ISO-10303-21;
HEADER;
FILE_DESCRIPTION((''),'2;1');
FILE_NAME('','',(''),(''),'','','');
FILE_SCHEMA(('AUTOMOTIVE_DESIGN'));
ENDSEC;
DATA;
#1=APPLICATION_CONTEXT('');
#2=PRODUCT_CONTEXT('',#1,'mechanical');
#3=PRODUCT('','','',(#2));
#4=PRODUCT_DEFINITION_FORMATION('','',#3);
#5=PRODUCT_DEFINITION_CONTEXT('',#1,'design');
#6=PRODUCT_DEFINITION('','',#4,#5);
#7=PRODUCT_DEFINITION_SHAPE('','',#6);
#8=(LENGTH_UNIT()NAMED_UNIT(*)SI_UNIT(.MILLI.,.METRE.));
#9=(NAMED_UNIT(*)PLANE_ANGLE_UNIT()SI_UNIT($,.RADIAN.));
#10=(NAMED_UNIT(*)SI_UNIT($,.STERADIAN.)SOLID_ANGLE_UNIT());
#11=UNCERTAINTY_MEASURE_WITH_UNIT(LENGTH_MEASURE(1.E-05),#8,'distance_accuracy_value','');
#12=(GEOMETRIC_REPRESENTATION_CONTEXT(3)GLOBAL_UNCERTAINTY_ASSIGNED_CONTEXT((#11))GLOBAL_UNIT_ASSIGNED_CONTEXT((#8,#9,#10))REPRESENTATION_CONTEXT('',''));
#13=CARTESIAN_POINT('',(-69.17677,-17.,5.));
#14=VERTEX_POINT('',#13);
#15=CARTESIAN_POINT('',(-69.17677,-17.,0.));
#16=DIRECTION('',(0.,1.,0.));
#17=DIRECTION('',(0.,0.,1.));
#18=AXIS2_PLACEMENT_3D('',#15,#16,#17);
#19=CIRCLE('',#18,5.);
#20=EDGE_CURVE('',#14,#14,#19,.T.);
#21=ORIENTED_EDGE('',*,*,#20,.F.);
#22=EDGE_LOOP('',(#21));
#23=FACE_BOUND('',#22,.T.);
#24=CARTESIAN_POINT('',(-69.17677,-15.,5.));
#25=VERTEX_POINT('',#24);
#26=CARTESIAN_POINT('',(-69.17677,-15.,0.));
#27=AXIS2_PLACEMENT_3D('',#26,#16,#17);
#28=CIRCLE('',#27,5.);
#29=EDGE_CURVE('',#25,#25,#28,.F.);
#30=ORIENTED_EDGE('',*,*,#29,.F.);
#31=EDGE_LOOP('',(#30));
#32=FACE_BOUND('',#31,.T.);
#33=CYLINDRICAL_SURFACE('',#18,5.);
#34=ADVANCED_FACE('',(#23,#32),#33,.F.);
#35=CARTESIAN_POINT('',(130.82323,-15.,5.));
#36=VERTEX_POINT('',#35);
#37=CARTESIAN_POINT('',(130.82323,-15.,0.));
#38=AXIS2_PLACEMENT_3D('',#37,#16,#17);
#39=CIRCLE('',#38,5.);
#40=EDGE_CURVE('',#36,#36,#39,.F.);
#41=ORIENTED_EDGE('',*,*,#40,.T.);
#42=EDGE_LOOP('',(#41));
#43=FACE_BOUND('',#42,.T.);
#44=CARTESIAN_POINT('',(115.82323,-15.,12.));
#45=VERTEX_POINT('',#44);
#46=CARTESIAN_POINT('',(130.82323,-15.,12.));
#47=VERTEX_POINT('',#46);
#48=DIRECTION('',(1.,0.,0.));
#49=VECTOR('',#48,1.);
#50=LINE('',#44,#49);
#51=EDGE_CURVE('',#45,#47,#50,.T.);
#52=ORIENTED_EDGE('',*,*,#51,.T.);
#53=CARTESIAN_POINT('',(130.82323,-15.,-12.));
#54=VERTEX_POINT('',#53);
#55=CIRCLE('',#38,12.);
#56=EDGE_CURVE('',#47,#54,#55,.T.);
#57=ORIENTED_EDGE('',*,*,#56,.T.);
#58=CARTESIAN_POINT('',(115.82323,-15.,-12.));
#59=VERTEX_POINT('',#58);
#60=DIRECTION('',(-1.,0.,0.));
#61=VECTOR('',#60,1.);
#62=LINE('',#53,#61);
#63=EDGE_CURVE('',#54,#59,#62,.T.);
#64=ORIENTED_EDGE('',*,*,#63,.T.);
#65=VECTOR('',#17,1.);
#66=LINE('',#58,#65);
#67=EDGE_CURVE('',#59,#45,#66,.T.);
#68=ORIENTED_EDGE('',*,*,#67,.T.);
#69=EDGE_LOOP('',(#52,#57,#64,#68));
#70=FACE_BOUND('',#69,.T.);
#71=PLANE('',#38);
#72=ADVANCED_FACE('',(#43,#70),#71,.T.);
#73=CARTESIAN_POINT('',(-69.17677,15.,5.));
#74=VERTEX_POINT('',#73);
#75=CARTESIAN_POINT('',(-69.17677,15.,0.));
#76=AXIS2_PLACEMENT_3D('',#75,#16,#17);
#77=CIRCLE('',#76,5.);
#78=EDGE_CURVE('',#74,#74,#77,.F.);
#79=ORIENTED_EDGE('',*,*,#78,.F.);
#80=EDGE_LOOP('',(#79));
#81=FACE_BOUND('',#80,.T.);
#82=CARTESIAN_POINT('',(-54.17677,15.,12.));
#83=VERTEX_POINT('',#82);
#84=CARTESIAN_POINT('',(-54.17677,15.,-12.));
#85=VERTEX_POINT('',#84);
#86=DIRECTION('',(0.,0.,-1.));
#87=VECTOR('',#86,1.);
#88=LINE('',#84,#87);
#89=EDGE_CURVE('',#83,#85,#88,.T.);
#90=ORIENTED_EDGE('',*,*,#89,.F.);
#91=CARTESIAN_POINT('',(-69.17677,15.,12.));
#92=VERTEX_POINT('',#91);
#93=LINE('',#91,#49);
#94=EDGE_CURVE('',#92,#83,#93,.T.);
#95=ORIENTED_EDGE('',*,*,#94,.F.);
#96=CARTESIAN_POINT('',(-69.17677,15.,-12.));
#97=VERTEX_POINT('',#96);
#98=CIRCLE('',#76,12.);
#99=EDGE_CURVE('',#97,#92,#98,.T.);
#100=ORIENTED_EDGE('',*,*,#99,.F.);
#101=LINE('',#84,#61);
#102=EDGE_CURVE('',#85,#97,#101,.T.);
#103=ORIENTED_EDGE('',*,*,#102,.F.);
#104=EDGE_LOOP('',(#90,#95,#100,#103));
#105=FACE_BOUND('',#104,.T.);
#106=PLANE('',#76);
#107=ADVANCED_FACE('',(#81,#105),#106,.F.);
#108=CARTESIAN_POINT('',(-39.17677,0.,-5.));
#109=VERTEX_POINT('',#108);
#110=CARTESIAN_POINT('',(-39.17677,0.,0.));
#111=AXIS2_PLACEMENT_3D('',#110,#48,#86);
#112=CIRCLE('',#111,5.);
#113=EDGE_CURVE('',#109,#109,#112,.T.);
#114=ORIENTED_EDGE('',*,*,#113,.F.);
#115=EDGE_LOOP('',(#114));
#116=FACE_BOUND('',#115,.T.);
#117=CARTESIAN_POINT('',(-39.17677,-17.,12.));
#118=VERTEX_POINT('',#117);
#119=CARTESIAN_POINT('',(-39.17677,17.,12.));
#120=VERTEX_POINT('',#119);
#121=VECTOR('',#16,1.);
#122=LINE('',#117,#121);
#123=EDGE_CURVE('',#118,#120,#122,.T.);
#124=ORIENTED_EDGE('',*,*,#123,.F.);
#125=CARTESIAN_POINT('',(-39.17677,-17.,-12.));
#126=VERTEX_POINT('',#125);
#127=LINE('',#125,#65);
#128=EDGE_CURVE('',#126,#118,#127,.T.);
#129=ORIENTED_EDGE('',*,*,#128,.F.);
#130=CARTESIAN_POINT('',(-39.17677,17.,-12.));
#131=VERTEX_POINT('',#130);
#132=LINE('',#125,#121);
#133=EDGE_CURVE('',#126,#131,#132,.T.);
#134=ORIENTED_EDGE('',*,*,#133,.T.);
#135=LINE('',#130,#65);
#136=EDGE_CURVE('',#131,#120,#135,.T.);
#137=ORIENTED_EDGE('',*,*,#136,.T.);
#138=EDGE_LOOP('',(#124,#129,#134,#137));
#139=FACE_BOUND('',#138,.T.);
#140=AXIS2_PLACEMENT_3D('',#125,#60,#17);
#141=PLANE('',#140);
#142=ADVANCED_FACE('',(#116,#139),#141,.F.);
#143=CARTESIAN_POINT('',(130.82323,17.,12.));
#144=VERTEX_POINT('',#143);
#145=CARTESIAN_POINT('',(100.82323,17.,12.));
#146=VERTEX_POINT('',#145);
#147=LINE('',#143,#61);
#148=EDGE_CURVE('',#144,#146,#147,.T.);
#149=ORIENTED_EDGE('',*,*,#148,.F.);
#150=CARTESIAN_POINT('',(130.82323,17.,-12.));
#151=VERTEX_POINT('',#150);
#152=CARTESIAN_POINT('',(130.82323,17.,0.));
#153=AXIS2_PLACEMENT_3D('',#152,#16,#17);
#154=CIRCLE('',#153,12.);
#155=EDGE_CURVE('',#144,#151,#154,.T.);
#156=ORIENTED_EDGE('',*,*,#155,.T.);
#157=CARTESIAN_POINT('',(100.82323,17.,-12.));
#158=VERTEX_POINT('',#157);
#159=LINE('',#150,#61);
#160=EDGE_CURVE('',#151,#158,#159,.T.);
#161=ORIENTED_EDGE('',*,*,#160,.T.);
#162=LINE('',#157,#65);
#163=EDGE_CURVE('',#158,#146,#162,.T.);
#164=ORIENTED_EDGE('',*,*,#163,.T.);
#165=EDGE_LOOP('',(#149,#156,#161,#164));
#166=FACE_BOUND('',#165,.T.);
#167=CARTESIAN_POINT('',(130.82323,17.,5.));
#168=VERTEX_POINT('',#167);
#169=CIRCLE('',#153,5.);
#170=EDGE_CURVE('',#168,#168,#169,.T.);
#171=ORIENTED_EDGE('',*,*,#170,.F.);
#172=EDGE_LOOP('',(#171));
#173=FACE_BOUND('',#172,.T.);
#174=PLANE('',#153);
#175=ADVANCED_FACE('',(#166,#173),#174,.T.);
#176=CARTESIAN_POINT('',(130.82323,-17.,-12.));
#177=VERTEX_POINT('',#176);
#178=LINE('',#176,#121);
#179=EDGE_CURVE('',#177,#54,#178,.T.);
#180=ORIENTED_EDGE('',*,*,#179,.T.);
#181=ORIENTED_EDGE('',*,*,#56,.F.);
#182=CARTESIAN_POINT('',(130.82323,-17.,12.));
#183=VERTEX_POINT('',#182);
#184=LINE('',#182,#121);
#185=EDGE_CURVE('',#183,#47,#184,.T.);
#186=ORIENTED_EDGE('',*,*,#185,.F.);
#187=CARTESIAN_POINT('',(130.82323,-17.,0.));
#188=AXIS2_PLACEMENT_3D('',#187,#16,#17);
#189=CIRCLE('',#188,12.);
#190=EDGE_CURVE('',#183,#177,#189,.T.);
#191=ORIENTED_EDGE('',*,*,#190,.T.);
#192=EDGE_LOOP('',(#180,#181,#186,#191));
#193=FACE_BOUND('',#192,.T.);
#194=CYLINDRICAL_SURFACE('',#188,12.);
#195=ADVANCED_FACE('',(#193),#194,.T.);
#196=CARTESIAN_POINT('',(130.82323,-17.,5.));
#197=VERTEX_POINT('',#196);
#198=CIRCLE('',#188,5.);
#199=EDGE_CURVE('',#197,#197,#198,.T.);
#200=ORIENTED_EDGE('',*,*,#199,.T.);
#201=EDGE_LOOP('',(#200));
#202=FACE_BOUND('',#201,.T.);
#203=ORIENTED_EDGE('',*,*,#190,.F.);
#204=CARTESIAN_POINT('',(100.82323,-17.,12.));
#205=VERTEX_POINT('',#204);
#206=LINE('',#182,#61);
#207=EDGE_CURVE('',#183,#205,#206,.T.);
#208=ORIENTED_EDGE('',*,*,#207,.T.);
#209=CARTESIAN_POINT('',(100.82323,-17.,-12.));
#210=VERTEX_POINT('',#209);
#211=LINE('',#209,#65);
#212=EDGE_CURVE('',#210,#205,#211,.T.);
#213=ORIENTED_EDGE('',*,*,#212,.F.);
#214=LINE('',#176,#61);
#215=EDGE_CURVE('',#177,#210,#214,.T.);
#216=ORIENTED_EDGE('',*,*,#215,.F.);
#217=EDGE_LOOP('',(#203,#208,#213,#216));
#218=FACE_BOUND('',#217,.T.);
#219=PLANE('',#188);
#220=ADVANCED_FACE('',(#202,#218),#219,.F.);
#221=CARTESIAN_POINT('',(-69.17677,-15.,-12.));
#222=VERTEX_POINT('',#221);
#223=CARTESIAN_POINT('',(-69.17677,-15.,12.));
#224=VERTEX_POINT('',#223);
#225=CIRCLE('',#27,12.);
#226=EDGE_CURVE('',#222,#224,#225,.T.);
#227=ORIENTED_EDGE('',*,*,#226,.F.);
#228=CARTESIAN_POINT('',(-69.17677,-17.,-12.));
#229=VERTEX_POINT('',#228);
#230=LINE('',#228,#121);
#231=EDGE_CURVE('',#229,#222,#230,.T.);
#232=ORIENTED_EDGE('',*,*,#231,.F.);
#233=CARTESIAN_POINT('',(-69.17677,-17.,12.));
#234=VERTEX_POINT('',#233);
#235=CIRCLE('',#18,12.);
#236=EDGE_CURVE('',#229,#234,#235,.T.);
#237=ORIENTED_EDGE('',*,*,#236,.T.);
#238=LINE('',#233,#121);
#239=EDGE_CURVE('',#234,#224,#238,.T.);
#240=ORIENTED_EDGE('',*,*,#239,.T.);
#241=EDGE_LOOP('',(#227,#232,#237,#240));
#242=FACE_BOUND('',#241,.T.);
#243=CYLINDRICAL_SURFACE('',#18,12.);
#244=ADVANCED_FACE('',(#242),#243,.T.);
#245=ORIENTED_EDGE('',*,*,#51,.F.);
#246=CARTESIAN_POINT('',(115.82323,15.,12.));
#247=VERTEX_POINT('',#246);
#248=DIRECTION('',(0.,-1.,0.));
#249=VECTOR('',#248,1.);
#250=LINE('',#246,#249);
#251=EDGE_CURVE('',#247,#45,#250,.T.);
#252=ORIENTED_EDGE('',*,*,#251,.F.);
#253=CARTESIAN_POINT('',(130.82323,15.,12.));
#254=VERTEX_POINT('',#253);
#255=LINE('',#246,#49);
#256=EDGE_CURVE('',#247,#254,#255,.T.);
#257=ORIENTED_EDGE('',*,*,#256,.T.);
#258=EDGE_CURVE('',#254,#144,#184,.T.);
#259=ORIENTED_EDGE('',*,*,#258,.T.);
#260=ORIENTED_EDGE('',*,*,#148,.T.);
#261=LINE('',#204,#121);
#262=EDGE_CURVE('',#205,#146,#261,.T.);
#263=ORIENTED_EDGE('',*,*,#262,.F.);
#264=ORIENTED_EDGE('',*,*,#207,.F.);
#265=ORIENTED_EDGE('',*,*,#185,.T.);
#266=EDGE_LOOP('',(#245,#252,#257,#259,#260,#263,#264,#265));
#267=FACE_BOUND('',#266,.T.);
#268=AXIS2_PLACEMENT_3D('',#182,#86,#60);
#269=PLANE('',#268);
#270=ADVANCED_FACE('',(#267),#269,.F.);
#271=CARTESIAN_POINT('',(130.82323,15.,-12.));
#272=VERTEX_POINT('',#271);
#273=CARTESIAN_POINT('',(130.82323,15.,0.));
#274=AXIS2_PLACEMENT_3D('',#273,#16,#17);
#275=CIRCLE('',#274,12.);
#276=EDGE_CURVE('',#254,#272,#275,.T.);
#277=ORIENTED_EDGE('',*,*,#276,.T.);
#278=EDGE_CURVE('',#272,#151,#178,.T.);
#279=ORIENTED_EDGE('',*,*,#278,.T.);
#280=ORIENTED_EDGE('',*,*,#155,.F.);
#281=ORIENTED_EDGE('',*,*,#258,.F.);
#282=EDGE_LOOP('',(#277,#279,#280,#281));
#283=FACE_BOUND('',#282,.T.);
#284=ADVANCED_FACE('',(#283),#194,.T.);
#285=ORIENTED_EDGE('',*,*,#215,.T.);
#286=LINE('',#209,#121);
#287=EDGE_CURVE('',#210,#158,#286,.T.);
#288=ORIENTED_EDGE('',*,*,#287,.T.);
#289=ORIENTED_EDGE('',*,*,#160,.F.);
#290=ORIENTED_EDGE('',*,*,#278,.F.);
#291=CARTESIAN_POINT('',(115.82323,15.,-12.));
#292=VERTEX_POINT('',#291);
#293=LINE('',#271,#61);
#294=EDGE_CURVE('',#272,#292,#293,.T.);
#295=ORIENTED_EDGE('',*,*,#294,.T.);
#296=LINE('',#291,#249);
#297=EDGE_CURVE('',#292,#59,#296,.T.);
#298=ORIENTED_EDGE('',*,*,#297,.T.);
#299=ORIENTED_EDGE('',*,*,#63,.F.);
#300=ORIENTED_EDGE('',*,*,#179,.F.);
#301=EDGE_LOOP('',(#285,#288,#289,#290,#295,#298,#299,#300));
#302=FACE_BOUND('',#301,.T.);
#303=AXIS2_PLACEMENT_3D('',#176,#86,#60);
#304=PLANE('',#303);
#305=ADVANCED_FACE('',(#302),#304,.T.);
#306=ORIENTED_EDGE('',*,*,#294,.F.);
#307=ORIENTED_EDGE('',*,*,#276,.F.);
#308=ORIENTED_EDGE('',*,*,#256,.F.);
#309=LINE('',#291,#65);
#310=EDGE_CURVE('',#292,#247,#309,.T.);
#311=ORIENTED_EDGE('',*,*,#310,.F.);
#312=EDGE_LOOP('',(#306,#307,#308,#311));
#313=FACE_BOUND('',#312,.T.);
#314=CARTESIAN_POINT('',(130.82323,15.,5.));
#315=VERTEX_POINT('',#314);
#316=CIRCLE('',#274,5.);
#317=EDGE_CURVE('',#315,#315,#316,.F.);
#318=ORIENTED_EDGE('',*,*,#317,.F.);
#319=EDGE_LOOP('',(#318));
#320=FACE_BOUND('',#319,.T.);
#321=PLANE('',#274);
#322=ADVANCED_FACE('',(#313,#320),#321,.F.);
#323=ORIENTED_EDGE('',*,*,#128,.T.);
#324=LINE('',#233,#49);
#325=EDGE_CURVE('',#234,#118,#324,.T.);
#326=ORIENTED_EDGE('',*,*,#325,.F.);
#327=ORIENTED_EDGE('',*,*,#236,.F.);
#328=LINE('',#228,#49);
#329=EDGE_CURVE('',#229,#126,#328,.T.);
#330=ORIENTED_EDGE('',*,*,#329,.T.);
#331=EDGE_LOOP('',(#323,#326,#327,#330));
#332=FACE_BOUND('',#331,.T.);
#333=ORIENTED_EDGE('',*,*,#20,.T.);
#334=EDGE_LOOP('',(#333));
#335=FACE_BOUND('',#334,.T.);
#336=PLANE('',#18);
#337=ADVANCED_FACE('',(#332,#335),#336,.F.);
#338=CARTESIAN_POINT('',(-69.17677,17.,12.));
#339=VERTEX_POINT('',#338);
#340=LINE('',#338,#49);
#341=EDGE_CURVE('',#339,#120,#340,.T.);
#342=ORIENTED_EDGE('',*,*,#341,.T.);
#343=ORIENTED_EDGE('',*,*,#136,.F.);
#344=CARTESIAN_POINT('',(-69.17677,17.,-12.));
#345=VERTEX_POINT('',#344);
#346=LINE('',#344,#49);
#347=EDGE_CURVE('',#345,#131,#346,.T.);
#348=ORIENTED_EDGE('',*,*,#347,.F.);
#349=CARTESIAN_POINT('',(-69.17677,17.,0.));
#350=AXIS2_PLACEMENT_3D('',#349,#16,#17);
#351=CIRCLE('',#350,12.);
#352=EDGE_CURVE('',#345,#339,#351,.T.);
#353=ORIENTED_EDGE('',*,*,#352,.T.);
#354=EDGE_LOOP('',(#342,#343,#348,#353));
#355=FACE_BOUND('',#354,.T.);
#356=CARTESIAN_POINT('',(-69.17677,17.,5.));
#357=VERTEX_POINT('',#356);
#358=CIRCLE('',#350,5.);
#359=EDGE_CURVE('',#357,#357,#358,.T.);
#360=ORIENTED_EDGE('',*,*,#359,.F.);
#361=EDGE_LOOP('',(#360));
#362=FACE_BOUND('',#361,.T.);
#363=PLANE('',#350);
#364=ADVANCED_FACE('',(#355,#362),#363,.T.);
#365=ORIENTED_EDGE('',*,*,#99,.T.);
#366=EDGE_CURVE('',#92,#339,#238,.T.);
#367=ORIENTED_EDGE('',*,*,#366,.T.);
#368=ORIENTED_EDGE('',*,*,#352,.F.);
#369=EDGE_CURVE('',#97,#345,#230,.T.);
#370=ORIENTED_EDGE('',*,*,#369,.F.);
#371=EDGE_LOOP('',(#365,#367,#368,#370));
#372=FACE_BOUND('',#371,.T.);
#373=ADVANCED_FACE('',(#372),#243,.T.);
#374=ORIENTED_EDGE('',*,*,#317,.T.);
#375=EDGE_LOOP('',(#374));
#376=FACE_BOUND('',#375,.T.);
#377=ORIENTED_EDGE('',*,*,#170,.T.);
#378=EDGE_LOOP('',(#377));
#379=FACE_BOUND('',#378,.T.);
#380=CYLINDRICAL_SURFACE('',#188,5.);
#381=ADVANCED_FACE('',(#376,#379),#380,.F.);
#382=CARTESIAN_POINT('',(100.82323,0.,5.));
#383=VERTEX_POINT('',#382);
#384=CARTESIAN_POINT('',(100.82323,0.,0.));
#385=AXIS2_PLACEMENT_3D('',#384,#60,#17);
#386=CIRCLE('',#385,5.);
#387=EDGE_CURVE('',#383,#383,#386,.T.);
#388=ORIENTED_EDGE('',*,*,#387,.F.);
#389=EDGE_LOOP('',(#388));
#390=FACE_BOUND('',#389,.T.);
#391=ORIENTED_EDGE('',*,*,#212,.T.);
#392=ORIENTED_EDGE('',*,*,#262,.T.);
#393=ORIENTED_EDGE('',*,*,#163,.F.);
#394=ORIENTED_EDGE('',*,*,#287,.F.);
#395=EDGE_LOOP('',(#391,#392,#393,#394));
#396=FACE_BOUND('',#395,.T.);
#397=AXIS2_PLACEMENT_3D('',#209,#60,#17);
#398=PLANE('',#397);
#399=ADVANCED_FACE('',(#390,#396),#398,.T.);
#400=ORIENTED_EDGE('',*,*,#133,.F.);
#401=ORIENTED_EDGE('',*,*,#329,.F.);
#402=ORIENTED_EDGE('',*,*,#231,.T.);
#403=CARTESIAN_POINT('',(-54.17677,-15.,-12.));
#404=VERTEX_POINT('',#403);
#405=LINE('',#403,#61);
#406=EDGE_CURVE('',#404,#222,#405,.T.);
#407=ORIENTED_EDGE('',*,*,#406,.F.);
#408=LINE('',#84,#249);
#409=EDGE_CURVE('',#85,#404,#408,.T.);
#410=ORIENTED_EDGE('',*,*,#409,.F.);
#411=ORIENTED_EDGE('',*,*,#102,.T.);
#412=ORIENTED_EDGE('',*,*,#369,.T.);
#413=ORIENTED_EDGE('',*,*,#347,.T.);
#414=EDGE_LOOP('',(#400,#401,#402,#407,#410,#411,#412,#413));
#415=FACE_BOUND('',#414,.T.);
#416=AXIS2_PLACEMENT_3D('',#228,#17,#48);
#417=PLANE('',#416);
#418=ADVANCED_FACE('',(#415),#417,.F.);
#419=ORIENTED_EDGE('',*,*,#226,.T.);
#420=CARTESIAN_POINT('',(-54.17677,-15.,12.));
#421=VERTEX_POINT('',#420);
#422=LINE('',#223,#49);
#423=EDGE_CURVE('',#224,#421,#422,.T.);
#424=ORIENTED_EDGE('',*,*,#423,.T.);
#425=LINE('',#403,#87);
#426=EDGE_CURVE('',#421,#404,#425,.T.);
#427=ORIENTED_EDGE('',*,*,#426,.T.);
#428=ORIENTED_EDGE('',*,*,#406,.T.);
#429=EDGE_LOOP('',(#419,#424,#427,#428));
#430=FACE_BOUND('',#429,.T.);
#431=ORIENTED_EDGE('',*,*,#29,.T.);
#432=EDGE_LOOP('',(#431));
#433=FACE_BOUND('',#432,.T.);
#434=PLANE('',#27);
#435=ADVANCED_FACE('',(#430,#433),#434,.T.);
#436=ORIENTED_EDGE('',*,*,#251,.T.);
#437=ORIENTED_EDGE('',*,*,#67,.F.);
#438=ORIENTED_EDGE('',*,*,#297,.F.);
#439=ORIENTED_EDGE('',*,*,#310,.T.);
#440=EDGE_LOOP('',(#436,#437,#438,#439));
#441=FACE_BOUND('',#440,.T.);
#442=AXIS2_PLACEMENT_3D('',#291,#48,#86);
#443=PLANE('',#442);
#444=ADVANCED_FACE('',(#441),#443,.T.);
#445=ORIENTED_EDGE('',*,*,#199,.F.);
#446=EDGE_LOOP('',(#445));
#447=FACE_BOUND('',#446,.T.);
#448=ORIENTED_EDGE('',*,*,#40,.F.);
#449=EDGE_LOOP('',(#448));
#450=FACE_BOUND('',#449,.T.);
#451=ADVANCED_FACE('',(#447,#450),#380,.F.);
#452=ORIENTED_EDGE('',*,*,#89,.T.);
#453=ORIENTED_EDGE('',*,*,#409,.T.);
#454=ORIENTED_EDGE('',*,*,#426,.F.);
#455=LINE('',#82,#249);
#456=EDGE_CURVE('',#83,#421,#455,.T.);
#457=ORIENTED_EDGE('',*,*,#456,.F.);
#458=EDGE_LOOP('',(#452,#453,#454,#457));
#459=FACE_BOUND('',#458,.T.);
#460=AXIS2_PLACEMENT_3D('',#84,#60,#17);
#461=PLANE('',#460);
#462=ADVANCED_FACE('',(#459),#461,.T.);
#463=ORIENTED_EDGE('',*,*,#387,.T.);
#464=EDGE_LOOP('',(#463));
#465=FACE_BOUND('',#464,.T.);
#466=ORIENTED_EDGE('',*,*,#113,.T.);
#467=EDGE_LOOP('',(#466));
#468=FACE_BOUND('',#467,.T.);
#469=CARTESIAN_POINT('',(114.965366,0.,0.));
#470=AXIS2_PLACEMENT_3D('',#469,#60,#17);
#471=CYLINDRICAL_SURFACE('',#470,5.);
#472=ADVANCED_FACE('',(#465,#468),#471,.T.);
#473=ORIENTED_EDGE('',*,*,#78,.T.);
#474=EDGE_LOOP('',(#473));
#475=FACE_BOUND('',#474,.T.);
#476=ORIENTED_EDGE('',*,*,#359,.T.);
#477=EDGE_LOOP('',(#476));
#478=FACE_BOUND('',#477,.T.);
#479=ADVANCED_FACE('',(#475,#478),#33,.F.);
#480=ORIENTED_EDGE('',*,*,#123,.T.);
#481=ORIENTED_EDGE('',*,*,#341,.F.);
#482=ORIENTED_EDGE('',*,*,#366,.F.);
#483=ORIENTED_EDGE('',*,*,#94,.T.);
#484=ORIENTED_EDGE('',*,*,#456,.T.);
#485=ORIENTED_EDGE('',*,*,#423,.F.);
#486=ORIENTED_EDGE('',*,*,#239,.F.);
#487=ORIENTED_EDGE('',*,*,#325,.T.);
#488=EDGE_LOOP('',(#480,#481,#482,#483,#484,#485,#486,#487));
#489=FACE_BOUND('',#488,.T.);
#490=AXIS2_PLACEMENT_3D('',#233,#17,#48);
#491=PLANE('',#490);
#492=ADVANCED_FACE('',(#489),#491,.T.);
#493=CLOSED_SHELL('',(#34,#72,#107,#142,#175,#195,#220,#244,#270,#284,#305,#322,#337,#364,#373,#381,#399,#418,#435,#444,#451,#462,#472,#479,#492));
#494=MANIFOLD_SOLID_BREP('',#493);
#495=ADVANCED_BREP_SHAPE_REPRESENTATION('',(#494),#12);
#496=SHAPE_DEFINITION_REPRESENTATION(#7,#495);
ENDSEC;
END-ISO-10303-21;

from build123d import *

# Parameters (mm, degrees)
BOSS_EXTRUDE1_DEPTH        = 17
BOSS_EXTRUDE1_DEPTH_BACK   = 17
SKETCH1_R                  = 5
BOSS_EXTRUDE1_2_DEPTH      = 17
BOSS_EXTRUDE1_2_DEPTH_BACK = 17
SKETCH3_R                  = 5
BOSS_EXTRUDE2_DEPTH        = 140
CUT_EXTRUDE1_DEPTH         = 15
CUT_EXTRUDE1_DEPTH_BACK    = 15


with BuildPart() as part:
    # Sketch1 → Boss-Extrude1 (new, two sides: drawn at the far end of the back side and taken through both)
    with BuildSketch(Plane(origin=(0, 0, 0), x_dir=(1, 0, 0), z_dir=(0, 1, 0)).offset(-BOSS_EXTRUDE1_DEPTH_BACK)):
        with BuildLine():
            Line((-69.176769869, 12), (-39.176769869, 12))
            Line((-39.176769869, 12), (-39.176769869, -12))
            Line((-39.176769869, -12), (-69.176769869, -12))
            ThreePointArc((-69.176769869, -12), (-81.176769869, 0), (-69.176769869, 12))
        make_face()
        with Locations(Location((-69.176769869, 0, 0), (0, 0, 270))):
            Circle(SKETCH1_R, mode=Mode.SUBTRACT)
    extrude(amount=BOSS_EXTRUDE1_DEPTH + BOSS_EXTRUDE1_DEPTH_BACK)



with BuildPart() as body_2:
    # Sketch1 → Boss-Extrude1 2 (new, two sides: drawn at the far end of the back side and taken through both)
    with BuildSketch(Plane(origin=(0, 0, 0), x_dir=(1, 0, 0), z_dir=(0, 1, 0)).offset(-BOSS_EXTRUDE1_2_DEPTH_BACK)):
        with BuildLine():
            Line((130.823230131, 12), (100.823230131, 12))
            Line((100.823230131, 12), (100.823230131, -12))
            Line((100.823230131, -12), (130.823230131, -12))
            ThreePointArc((130.823230131, -12), (142.823230131, 0), (130.823230131, 12))
        make_face()
        with Locations(Location((130.823230131, 0, 0), (0, 0, 270))):
            Circle(SKETCH1_R, mode=Mode.SUBTRACT)
    extrude(amount=BOSS_EXTRUDE1_2_DEPTH + BOSS_EXTRUDE1_2_DEPTH_BACK)


with BuildPart() as part_1:
    add(part.part)

    add(body_2.part)  # Boss-Extrude2 merges body 2
    # Sketch3 → Boss-Extrude2 (add)
    with BuildSketch(Plane(origin=(-39.176769869, 0, 0), x_dir=(0, 0, -1), z_dir=(1, 0, 0))):
        with Locations(Location((0, 0, 0), (0, 0, 180))):
            Circle(SKETCH3_R)
    extrude(amount=BOSS_EXTRUDE2_DEPTH)

    # Sketch4 → Cut-Extrude1 (cut, two sides: drawn at the far end of the back side and taken through both)
    with BuildSketch(Plane(origin=(0, 0, 0), x_dir=(1, 0, 0), z_dir=(0, 1, 0)).offset(-CUT_EXTRUDE1_DEPTH_BACK)):
        with BuildLine():
            Line((115.823230131, -12), (130.823230131, -12))
            ThreePointArc((130.823230131, -12), (142.823230131, 0), (130.823230131, 12))
            Line((130.823230131, 12), (115.823230131, 12))
            Line((115.823230131, 12), (115.823230131, -12))
        make_face()
        with BuildLine():
            Line((-69.176769869, -12), (-54.176769869, -12))
            Line((-54.176769869, -12), (-54.176769869, 12))
            Line((-54.176769869, 12), (-69.176769869, 12))
            ThreePointArc((-69.176769869, 12), (-81.176769869, 0), (-69.176769869, -12))
        make_face()
    extrude(amount=CUT_EXTRUDE1_DEPTH + CUT_EXTRUDE1_DEPTH_BACK, mode=Mode.SUBTRACT)


solid = part_1.part
